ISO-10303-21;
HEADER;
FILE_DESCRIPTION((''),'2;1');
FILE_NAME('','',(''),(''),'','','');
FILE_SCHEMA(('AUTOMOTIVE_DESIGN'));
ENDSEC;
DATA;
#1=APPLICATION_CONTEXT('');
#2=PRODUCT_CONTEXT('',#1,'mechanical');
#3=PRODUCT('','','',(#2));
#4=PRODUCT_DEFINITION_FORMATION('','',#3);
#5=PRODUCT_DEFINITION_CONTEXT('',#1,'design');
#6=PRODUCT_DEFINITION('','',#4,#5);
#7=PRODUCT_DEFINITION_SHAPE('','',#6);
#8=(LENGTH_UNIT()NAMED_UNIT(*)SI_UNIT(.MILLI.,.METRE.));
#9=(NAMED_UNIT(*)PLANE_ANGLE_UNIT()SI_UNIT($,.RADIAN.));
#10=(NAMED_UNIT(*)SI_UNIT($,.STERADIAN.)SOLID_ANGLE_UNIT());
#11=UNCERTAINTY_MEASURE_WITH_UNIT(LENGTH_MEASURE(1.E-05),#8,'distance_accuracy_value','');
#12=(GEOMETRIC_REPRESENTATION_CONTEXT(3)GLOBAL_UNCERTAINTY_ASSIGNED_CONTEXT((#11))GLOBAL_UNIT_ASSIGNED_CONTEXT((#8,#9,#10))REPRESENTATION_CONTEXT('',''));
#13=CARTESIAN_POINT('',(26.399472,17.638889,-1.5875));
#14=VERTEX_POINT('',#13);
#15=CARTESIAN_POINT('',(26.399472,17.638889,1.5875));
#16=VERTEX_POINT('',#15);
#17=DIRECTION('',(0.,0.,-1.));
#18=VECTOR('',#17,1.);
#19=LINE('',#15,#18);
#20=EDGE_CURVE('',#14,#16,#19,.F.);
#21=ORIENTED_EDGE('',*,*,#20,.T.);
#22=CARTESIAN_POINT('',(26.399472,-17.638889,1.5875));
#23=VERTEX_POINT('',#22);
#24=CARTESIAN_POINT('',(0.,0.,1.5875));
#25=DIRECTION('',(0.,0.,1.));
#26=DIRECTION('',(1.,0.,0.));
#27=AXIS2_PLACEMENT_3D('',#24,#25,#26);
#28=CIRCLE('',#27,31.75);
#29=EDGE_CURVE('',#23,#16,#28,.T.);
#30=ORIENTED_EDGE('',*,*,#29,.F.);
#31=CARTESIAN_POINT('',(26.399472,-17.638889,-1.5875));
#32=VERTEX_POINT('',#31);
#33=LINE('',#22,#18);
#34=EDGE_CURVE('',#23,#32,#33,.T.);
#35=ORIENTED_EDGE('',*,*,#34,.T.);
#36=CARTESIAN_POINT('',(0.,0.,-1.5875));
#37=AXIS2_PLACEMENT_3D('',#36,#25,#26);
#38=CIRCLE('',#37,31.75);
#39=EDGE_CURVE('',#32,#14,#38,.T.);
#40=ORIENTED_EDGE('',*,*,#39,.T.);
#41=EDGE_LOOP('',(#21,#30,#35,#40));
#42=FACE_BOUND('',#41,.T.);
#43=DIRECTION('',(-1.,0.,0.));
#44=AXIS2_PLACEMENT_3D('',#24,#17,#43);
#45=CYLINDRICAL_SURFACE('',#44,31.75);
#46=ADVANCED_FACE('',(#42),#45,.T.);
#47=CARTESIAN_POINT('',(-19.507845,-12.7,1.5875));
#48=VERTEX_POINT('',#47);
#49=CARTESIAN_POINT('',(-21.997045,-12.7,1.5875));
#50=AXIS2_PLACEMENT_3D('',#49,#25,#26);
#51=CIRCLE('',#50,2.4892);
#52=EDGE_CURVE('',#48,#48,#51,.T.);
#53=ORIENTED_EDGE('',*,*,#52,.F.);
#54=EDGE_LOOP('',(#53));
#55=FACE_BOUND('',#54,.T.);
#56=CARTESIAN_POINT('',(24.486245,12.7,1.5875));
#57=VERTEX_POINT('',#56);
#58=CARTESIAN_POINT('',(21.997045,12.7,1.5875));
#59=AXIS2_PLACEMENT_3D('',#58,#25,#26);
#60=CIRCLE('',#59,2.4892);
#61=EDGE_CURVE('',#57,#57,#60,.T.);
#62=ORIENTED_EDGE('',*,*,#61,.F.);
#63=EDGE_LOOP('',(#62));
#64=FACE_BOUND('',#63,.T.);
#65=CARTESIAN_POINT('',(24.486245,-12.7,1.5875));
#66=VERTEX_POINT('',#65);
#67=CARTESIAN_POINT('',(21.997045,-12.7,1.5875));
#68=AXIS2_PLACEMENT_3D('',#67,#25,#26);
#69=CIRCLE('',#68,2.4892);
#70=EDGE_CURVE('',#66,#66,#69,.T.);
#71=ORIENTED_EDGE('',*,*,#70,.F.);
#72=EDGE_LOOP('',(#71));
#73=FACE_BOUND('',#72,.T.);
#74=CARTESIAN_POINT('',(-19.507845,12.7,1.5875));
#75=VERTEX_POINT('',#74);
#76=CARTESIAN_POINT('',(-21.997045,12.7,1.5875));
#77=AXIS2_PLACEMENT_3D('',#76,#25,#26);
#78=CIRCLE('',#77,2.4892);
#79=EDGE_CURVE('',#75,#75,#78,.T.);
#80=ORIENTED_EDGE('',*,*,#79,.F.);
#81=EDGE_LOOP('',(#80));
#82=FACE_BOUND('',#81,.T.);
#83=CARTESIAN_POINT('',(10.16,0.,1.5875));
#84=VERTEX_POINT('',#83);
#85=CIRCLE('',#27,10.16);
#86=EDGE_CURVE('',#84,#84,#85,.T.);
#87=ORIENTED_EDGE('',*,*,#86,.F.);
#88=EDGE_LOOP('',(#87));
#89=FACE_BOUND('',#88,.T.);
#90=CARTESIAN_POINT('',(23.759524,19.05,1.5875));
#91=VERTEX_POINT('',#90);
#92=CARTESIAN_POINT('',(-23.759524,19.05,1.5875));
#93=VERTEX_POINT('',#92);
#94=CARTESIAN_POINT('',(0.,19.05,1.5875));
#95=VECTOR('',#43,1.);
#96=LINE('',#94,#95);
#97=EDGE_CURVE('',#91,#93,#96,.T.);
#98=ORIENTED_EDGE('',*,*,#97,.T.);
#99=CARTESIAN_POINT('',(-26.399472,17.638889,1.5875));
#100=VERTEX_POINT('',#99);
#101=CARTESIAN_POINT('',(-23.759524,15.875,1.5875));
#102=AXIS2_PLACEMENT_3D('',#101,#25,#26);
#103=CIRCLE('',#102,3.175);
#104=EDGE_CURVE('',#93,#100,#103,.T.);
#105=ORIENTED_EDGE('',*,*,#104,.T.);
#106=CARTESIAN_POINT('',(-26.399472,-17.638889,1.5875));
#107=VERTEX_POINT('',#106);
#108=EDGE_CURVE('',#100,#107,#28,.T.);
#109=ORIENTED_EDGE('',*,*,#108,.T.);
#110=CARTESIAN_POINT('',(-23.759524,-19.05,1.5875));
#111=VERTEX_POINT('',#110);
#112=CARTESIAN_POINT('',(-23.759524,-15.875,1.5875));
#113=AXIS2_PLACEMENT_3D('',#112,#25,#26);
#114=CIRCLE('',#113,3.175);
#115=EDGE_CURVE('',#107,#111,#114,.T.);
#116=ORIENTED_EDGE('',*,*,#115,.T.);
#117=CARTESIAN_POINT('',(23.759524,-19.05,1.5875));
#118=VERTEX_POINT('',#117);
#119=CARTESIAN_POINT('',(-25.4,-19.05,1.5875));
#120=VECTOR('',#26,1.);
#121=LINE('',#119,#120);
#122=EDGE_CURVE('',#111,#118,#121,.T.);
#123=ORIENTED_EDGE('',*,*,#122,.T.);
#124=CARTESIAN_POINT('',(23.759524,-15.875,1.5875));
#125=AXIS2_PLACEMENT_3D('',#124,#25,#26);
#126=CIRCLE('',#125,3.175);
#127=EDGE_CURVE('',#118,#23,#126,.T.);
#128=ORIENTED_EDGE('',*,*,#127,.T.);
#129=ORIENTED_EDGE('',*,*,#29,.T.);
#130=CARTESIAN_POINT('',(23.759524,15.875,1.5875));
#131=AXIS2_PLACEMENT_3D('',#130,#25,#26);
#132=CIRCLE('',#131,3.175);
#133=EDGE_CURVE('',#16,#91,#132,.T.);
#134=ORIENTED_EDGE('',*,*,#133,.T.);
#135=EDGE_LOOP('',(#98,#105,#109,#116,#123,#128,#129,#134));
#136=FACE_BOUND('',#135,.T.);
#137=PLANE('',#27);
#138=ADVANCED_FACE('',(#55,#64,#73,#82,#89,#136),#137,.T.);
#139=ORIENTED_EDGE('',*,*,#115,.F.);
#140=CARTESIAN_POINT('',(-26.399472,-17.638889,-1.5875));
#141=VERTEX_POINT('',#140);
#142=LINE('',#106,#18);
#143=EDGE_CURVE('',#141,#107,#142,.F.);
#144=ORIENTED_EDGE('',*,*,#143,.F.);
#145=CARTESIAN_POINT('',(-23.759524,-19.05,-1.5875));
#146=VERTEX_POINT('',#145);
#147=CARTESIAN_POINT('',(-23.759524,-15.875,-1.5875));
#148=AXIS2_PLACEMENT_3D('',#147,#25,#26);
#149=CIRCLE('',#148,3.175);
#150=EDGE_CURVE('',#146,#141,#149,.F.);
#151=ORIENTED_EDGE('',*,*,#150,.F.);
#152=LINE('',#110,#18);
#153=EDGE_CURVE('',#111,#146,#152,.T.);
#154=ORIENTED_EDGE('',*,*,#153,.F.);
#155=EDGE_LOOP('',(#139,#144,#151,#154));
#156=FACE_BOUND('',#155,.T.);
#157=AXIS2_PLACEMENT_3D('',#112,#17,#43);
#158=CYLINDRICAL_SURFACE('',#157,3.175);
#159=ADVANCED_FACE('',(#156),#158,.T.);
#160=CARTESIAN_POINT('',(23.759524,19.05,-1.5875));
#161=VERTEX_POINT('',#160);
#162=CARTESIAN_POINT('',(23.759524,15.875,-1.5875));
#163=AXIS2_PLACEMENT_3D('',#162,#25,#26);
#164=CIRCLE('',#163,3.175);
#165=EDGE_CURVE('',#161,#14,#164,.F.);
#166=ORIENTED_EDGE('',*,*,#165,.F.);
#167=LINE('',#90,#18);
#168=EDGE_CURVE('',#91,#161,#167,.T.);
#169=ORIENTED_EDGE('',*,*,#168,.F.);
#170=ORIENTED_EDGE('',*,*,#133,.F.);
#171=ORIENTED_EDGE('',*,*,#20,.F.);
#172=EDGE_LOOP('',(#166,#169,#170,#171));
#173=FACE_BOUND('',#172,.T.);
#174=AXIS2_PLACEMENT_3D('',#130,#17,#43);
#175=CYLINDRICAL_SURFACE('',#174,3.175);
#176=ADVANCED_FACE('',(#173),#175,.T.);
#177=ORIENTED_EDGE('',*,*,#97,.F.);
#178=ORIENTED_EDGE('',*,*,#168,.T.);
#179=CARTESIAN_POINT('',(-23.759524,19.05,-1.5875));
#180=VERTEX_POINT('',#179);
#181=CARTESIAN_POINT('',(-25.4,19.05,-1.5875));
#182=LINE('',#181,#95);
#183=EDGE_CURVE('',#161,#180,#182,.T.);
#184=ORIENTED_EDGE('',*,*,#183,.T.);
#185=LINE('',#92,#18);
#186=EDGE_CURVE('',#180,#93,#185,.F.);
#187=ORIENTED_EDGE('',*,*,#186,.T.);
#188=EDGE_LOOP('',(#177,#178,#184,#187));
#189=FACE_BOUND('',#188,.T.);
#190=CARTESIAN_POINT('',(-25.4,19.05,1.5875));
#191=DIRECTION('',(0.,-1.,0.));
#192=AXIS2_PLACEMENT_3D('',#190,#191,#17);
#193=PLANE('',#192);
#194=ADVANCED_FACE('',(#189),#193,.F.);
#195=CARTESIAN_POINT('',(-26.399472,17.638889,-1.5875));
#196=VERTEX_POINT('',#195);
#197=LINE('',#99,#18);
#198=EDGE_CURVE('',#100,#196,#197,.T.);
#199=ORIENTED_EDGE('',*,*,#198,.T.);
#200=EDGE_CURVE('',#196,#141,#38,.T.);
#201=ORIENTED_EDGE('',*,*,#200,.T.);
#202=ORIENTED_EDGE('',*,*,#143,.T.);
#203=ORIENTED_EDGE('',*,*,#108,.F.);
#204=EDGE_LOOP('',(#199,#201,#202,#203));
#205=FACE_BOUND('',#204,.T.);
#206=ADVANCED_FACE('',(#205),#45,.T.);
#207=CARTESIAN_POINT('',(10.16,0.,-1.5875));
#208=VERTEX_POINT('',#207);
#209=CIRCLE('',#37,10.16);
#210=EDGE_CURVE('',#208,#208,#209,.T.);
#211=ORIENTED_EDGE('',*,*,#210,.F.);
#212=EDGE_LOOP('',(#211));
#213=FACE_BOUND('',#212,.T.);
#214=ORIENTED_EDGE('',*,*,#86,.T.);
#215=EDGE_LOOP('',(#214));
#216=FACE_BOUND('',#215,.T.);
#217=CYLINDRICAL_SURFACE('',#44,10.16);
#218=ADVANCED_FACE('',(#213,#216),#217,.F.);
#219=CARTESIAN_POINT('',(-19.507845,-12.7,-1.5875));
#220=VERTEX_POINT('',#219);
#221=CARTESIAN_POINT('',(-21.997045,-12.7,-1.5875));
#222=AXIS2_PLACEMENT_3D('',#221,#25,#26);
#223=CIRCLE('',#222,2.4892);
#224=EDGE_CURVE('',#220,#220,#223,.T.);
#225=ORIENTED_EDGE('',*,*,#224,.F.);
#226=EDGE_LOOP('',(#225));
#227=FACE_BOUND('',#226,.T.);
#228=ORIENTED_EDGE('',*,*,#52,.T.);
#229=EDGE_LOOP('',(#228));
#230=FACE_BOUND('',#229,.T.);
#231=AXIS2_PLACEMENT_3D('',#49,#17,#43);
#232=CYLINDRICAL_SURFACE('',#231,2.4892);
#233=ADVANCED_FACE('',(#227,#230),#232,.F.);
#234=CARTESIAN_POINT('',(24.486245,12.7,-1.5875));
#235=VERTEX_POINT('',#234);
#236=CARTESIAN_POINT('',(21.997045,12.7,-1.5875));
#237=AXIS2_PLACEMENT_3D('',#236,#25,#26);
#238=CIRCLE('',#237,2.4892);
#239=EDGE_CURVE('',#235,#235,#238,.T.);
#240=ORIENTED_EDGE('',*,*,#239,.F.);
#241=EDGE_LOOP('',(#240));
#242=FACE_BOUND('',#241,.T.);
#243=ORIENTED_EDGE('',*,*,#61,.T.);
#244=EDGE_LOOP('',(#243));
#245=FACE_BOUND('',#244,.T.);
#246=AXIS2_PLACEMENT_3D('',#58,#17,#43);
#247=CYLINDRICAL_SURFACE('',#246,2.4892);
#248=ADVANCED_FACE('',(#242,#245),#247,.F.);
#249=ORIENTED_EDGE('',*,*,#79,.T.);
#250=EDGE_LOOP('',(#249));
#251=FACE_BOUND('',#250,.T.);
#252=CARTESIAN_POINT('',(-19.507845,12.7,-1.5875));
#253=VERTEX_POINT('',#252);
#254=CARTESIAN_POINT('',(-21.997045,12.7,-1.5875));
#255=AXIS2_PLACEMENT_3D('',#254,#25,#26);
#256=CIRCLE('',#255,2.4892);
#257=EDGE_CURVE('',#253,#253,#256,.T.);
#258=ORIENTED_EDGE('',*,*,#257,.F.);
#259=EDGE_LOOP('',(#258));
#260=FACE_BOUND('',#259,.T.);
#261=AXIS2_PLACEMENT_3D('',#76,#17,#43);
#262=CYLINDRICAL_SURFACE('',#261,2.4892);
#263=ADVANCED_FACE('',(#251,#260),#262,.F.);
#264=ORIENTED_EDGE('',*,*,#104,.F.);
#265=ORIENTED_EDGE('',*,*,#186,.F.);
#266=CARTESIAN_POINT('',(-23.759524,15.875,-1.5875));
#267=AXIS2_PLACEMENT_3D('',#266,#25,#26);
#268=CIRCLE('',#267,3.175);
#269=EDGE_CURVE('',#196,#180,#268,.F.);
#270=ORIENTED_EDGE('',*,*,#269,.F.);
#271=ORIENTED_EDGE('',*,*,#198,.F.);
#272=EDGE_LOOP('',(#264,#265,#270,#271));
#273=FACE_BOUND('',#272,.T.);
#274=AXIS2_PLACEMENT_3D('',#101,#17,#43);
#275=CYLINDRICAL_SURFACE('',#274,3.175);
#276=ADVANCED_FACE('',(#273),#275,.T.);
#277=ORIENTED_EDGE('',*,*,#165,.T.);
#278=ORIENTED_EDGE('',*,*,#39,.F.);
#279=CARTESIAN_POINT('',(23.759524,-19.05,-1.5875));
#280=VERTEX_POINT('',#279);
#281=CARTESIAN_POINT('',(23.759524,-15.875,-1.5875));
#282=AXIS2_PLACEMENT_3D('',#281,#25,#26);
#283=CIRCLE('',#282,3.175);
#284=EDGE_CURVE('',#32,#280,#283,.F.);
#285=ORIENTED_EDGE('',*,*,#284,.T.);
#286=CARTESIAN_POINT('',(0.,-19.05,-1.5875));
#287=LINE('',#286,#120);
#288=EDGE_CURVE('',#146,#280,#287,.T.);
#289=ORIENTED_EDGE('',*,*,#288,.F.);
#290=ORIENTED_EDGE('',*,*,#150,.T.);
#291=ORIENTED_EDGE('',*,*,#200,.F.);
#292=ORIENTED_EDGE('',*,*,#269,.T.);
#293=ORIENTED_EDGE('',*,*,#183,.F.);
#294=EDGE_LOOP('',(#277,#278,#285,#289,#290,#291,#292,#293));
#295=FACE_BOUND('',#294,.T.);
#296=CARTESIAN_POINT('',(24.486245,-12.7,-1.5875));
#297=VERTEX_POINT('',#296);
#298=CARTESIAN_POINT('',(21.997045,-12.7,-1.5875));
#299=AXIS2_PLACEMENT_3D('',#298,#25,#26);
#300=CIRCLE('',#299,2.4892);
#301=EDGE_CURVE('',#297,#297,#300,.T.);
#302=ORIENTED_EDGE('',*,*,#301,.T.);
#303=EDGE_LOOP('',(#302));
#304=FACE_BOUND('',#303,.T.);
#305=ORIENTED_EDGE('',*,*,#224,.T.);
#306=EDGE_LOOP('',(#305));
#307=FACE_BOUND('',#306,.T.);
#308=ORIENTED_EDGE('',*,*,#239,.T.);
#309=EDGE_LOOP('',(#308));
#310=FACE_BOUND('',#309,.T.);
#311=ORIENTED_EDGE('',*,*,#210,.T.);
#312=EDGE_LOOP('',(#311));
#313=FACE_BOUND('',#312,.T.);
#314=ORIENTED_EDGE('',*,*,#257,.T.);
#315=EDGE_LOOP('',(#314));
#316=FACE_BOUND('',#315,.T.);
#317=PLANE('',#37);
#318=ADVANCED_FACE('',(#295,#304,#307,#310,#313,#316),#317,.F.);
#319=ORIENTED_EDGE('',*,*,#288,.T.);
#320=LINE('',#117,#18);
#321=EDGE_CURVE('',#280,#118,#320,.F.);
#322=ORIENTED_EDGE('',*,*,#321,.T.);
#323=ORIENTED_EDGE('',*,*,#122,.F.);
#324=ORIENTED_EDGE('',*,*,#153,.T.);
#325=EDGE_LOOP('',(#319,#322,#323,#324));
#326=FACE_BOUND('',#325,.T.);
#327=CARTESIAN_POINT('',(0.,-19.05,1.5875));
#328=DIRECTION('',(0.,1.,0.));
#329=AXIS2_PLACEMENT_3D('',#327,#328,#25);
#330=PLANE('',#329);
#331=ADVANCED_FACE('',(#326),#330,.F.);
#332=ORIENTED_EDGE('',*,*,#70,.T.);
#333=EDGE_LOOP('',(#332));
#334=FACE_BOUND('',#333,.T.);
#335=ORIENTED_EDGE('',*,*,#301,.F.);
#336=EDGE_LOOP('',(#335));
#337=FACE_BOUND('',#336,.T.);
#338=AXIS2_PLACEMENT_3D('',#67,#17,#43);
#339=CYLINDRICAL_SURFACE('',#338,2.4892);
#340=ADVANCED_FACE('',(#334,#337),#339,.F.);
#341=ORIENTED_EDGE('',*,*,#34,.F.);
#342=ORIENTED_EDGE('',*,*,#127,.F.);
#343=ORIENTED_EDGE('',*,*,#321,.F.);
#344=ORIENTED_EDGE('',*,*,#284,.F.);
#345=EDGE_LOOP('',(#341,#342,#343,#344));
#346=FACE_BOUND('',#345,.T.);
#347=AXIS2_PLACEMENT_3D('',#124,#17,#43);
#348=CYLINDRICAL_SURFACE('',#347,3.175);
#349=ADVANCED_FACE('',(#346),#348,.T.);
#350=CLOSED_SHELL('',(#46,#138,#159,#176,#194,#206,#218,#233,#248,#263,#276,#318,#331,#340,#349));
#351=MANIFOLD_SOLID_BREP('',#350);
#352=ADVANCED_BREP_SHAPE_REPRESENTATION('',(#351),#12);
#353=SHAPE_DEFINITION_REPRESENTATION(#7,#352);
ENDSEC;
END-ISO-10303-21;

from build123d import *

# Parameters (mm, degrees)
SKETCH1_R           = 2.4892
SKETCH1_R_2         = 10.16
BOSS_EXTRUDE1_DEPTH = 1.5875
FILLET1_R           = 3.175


with BuildPart() as part:
    # Sketch1 → Boss-Extrude1 (new, symmetric)
    with BuildSketch(Plane.XY):
        with BuildLine():
            Line((-25.4, 19.05), (0, 19.05))
            Line((0, 19.05), (25.4, 19.05))
            ThreePointArc((25.4, 19.05), (31.75, 0), (25.4, -19.05))
            Line((25.4, -19.05), (0, -19.05))
            Line((0, -19.05), (-25.4, -19.05))
            ThreePointArc((-25.4, -19.05), (-31.75, 0), (-25.4, 19.05))
        make_face()
        with Locations((21.997045256, 12.7)):
            Circle(SKETCH1_R, mode=Mode.SUBTRACT)
        with Locations((21.997045256, -12.7)):
            Circle(SKETCH1_R, mode=Mode.SUBTRACT)
        with Locations((-21.997045256, -12.7)):
            Circle(SKETCH1_R, mode=Mode.SUBTRACT)
        with Locations((-21.997045256, 12.7)):
            Circle(SKETCH1_R, mode=Mode.SUBTRACT)
        Circle(SKETCH1_R_2, mode=Mode.SUBTRACT)
    extrude(amount=BOSS_EXTRUDE1_DEPTH, both=True)

    # Fillet1
    fillet1_edges = [part.edges().sort_by_distance(p)[0] for p in [
        (-25.4, 19.05, 0),
        (25.4, 19.05, 0),
        (25.4, -19.05, 0),
        (-25.4, -19.05, 0),
    ]]
    fillet(fillet1_edges, radius=FILLET1_R)


solid = part.part
